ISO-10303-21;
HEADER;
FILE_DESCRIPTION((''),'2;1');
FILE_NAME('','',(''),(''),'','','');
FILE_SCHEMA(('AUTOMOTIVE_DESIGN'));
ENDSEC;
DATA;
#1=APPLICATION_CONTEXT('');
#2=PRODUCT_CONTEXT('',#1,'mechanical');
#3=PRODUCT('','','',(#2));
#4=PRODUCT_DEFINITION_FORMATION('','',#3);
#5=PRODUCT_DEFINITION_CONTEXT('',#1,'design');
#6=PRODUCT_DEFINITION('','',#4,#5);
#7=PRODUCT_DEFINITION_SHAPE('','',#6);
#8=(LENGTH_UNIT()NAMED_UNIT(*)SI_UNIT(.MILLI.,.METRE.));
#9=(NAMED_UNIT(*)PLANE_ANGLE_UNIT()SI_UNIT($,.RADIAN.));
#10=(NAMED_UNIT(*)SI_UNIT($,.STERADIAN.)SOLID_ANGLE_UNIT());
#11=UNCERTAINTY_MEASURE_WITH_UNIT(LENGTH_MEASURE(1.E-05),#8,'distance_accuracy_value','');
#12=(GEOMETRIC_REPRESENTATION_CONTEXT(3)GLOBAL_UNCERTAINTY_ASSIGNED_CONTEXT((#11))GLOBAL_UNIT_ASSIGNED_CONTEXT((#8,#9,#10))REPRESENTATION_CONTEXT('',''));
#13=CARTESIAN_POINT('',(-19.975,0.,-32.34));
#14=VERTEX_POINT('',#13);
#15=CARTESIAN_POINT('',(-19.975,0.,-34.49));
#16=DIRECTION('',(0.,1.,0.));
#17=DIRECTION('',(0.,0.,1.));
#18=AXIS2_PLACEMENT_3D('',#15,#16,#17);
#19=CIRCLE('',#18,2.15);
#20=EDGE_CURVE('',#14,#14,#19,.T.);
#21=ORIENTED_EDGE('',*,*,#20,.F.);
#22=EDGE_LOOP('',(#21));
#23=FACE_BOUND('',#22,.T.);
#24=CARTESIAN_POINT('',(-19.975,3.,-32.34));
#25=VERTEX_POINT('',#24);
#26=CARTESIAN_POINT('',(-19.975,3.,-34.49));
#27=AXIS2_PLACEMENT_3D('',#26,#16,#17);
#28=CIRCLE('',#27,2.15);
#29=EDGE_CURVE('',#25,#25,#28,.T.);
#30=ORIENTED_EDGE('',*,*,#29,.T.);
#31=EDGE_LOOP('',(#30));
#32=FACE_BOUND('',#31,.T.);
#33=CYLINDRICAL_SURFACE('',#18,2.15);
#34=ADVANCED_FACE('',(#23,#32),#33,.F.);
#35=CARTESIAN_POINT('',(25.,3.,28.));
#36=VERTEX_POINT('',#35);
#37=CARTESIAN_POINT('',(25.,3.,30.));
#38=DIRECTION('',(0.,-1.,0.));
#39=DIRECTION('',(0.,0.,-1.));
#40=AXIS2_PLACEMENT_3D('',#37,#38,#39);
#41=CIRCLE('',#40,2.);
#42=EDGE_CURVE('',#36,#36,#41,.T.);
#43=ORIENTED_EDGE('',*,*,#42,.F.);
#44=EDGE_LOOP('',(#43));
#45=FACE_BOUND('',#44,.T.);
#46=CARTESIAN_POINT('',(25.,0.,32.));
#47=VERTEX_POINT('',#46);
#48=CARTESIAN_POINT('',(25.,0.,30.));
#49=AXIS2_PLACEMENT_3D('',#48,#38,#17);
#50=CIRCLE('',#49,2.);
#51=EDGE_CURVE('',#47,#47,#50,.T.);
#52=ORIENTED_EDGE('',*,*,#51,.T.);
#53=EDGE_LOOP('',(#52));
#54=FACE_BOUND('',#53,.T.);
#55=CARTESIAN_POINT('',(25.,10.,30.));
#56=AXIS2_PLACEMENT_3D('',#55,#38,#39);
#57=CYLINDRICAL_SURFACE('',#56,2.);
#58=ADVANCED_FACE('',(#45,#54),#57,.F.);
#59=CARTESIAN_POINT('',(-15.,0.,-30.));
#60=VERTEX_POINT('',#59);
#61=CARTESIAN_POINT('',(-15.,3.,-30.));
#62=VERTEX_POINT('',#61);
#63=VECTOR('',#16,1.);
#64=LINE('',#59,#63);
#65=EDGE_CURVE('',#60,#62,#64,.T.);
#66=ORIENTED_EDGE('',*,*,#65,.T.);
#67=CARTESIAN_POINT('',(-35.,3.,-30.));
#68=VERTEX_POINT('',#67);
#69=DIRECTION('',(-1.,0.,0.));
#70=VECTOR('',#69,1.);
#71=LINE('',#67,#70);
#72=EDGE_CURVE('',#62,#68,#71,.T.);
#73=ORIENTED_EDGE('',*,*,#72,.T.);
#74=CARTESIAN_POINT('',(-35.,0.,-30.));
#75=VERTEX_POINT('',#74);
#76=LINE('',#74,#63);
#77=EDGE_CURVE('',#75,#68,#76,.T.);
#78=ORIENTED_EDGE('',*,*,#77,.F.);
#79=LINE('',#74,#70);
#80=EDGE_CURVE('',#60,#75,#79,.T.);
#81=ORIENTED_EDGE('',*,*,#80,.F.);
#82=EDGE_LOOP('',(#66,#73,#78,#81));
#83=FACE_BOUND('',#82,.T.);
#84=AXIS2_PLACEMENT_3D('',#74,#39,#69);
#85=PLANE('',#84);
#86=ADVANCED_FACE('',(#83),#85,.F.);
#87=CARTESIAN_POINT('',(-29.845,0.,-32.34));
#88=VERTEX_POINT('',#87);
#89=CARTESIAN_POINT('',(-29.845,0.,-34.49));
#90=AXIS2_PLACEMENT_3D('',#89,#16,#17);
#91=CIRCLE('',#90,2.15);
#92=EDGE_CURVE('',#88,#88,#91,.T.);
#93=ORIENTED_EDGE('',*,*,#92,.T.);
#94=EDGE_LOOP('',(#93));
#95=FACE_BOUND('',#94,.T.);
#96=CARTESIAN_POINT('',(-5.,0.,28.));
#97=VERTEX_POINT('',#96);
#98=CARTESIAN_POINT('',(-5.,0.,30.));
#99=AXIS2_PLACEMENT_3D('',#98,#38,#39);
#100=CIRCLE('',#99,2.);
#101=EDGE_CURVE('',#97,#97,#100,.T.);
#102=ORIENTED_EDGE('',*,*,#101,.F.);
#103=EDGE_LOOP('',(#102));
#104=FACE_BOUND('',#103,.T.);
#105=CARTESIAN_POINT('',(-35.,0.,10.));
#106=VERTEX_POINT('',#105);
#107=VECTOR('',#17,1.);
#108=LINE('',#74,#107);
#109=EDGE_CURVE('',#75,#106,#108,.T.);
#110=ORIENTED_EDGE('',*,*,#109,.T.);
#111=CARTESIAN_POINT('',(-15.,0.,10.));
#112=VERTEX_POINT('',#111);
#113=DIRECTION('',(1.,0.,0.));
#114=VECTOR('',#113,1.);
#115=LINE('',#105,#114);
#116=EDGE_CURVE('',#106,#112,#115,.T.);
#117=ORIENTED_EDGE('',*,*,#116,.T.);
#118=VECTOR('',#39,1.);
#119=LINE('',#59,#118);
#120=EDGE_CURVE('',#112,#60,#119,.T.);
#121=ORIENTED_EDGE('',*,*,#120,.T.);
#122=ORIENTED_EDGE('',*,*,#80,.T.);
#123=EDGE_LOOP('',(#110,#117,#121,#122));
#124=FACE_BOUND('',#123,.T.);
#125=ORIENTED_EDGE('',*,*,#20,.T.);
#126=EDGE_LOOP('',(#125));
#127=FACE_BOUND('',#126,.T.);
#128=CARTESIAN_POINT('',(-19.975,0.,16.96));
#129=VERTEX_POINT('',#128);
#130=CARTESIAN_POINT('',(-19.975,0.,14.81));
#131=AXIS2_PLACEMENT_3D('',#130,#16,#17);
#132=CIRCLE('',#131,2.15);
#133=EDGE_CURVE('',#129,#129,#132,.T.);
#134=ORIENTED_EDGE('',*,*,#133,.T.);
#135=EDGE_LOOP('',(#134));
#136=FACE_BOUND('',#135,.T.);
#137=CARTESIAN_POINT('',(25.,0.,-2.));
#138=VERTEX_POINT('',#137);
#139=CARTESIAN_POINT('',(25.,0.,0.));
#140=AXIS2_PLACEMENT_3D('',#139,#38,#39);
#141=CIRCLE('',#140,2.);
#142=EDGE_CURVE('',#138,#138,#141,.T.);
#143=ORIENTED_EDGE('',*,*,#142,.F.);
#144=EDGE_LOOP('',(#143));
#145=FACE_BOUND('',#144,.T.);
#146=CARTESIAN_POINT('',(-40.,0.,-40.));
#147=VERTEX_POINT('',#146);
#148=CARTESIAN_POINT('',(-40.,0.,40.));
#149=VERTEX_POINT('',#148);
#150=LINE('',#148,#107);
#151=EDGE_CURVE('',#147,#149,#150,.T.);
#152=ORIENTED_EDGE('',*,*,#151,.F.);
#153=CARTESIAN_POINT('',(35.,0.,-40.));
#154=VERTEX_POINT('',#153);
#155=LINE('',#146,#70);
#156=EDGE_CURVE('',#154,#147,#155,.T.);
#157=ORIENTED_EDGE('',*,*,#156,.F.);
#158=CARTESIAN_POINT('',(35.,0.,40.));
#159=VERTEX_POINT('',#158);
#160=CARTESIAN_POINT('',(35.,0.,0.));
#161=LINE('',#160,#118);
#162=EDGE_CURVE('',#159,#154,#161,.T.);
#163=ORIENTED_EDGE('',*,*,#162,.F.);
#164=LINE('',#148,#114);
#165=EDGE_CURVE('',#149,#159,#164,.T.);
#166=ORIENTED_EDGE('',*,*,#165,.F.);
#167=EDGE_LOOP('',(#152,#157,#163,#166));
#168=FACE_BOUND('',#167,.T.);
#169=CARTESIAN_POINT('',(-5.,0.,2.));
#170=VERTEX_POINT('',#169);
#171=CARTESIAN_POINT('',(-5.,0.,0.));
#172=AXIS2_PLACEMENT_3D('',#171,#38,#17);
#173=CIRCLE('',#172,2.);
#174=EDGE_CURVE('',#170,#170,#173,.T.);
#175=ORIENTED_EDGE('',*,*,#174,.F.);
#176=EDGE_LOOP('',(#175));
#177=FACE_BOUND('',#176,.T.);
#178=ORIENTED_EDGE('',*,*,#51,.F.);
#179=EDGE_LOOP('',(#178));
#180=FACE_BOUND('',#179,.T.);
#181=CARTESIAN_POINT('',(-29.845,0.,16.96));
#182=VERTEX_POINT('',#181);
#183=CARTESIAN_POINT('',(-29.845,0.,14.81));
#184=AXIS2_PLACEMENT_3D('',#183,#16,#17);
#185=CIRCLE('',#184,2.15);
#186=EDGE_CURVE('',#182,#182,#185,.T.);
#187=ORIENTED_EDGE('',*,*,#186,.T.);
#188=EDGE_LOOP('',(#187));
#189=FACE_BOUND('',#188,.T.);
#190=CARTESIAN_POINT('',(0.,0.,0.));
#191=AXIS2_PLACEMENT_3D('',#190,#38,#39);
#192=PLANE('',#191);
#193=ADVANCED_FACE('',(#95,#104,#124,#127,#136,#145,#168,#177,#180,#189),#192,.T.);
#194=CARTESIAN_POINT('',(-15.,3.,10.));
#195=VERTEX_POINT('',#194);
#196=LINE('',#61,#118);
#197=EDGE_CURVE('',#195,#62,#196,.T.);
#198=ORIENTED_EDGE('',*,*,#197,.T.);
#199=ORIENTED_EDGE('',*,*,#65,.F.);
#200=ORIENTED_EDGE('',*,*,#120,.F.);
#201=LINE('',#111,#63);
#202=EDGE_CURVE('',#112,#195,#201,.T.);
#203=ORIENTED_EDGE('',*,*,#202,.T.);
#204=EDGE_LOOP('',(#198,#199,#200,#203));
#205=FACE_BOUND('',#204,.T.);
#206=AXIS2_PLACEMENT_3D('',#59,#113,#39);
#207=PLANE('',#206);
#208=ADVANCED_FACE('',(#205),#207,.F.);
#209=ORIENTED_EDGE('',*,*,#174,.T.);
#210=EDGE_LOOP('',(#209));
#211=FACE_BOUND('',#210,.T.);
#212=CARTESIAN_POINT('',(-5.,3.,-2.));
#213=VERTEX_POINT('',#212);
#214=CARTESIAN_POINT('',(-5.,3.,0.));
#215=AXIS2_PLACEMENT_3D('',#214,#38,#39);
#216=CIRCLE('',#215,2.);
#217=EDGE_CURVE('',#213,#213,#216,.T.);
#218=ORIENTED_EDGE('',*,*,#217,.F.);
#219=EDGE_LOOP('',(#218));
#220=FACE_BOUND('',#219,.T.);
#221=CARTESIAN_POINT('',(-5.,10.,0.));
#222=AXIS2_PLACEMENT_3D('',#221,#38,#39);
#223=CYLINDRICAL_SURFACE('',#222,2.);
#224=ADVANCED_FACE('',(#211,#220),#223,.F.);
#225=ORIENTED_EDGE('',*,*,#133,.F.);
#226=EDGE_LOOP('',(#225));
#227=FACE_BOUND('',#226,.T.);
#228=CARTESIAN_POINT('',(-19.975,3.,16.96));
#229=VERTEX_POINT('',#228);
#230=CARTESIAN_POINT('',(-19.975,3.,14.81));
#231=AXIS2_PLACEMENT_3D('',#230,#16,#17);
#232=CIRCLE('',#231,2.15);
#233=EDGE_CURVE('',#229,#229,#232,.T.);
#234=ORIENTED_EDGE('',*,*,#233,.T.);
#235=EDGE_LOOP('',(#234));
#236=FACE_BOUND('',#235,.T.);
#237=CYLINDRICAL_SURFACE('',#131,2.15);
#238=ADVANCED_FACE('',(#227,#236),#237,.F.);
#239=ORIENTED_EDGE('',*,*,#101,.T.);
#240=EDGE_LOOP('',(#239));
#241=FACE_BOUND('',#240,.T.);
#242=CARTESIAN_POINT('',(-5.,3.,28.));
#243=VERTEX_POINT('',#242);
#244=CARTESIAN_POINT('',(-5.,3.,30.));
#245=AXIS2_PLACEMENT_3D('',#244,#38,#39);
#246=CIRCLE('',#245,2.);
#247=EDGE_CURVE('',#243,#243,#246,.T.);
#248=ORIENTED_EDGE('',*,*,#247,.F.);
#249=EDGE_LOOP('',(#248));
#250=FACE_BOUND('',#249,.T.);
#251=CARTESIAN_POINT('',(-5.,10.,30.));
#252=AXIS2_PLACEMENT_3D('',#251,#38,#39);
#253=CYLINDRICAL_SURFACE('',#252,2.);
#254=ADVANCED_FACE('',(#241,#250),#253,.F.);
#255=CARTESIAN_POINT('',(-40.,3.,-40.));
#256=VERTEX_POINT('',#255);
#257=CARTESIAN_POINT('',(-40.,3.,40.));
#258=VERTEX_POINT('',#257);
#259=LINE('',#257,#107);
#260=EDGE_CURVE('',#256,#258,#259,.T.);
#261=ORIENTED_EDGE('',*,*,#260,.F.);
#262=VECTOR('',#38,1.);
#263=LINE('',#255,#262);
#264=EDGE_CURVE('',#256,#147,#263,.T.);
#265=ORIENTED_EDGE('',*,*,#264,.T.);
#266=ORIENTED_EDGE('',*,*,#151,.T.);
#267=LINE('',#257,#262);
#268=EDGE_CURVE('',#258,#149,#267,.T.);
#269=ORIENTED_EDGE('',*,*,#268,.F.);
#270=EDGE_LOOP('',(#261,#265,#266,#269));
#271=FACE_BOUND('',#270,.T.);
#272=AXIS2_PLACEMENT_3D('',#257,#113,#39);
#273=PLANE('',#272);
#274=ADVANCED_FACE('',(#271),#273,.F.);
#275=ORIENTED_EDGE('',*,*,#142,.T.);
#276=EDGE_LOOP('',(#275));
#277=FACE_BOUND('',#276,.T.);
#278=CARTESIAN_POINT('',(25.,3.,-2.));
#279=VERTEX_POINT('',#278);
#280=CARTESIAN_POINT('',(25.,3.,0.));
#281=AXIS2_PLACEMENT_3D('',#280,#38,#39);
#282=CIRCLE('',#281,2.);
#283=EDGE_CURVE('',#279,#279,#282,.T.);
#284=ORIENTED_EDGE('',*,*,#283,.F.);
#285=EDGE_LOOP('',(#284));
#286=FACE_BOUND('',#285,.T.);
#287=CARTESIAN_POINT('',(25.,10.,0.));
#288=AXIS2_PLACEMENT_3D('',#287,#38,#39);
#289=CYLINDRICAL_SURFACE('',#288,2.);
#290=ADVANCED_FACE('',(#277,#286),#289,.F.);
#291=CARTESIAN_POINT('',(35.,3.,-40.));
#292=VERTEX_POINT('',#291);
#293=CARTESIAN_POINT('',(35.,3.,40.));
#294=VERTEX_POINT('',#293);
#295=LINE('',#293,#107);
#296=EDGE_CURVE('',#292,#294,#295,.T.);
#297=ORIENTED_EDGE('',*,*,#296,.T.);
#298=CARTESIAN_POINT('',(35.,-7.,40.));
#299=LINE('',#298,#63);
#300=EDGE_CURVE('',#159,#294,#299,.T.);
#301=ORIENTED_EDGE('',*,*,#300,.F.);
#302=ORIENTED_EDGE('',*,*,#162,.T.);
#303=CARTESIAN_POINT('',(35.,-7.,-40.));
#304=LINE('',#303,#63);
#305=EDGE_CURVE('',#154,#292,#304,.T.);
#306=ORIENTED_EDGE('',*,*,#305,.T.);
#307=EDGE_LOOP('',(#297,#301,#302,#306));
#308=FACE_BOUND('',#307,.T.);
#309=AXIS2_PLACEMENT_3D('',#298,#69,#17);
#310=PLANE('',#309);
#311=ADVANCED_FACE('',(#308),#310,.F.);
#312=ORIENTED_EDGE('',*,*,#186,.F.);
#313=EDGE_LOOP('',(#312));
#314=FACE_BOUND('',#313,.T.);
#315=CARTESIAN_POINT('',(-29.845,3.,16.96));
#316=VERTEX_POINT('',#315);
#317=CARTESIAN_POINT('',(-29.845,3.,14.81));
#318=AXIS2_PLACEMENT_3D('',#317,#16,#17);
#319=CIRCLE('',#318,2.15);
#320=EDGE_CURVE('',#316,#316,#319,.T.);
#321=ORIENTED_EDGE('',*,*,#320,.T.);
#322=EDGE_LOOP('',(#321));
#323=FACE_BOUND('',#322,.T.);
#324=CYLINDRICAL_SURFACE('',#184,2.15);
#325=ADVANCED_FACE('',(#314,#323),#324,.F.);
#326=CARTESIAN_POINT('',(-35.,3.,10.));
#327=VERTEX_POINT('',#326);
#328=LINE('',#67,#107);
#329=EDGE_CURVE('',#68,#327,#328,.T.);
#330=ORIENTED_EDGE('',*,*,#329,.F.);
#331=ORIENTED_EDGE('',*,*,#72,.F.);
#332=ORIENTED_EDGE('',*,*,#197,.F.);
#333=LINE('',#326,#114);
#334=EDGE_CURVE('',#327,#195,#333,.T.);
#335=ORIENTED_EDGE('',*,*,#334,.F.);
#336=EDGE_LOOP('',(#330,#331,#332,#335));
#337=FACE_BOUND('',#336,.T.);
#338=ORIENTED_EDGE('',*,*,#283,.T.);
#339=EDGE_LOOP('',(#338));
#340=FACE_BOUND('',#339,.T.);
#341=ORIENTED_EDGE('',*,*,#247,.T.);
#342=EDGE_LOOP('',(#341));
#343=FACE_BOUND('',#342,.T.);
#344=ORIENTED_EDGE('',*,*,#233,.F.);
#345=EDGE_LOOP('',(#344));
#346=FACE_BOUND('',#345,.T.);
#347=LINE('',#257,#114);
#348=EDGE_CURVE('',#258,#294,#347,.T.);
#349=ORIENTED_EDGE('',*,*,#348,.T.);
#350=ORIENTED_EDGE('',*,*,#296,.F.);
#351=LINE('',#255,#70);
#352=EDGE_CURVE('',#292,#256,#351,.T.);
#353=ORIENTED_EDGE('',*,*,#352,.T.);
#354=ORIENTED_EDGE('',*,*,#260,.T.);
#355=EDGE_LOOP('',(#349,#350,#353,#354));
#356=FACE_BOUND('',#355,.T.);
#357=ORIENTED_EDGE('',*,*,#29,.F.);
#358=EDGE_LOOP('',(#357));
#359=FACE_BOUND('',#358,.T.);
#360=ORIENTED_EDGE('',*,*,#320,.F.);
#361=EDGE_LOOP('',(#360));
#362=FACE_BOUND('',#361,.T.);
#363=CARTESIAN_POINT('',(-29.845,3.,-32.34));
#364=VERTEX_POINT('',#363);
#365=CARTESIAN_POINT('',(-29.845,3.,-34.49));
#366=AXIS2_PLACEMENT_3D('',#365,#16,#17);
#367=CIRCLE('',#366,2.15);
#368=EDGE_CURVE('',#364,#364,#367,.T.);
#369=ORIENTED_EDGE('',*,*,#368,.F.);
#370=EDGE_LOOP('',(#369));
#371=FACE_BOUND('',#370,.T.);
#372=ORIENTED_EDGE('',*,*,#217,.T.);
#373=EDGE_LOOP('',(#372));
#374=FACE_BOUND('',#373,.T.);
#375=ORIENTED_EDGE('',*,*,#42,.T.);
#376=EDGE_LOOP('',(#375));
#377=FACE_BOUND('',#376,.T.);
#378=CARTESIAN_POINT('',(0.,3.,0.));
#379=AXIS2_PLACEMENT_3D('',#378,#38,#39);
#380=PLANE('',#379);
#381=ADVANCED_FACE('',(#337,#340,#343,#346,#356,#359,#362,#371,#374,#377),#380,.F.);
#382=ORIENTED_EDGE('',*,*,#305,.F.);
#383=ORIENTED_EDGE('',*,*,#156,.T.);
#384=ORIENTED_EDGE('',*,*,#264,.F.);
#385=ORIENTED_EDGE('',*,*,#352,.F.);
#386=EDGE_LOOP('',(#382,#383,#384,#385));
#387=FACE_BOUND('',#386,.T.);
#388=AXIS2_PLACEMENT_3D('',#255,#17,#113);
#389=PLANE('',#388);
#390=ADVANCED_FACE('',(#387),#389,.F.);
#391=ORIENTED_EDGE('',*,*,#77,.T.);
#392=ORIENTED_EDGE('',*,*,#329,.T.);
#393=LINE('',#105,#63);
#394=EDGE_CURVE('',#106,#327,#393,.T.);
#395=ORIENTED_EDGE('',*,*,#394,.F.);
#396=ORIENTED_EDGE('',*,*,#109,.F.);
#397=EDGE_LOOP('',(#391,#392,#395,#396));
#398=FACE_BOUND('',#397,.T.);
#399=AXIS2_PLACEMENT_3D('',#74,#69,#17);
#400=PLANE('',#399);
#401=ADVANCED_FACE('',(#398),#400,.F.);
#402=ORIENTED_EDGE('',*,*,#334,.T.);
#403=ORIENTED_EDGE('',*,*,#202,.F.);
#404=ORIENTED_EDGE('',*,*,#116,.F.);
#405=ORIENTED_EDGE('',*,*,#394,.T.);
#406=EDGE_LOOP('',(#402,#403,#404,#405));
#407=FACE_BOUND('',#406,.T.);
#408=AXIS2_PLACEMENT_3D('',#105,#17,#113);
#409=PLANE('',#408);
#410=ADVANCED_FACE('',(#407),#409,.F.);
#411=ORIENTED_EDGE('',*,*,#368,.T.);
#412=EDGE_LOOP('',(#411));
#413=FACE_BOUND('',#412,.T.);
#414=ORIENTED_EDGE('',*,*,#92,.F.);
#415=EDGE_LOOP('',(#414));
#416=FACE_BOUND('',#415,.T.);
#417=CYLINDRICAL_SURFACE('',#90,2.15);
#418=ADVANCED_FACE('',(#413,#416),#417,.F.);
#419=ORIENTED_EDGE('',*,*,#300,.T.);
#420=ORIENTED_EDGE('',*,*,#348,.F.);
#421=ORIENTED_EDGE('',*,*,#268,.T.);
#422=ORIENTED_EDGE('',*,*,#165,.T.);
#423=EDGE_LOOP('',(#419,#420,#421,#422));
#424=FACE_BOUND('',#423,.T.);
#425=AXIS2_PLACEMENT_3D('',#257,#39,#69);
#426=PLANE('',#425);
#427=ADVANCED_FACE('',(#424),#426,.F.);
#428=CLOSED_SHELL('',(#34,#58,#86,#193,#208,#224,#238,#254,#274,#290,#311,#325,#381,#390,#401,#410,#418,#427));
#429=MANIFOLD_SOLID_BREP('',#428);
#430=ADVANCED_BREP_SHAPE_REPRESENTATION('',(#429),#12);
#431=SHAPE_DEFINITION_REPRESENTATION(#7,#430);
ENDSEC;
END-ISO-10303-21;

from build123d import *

# Parameters (mm, degrees)
SKETCH2_W           = 80
SKETCH2_H           = 80
BOSS_EXTRUDE1_DEPTH = 3
SKETCH3_R           = 2.15
SKETCH3_W           = 20
SKETCH3_H           = 40
CUT_EXTRUDE1_DEPTH  = 3
SKETCH4_W           = 5
SKETCH4_H           = 80
CUT_EXTRUDE2_DEPTH  = 10
SKETCH5_R           = 2
CUT_EXTRUDE3_DEPTH  = 10


with BuildPart() as part:
    # Sketch2 → Boss-Extrude1 (new body)
    with BuildSketch(Plane(origin=(0, 0, 0), x_dir=(1, 0, 0), z_dir=(0, 1, 0))):
        Rectangle(SKETCH2_W, SKETCH2_H)
    extrude(amount=BOSS_EXTRUDE1_DEPTH)

    # Sketch3 → Cut-Extrude1 (cut)
    with BuildSketch(Plane(origin=(0, 3, 0), x_dir=(1, 0, 0), z_dir=(0, 1, 0))):
        with Locations(Location((-29.845, 34.49, 0), (0, 0, 270))):
            Circle(SKETCH3_R)
        with Locations(Location((-19.975, 34.49, 0), (0, 0, 270))):
            Circle(SKETCH3_R)
        with Locations(Location((-19.975, -14.81, 0), (0, 0, 270))):
            Circle(SKETCH3_R)
        with Locations(Location((-29.845, -14.81, 0), (0, 0, 270))):
            Circle(SKETCH3_R)
        with Locations((-25, 10)):
            Rectangle(SKETCH3_W, SKETCH3_H)
    extrude(amount=-CUT_EXTRUDE1_DEPTH, mode=Mode.SUBTRACT)

    # Sketch4 → Cut-Extrude2 (cut)
    with BuildSketch(Plane(origin=(0, 3, 0), x_dir=(1, 0, 0), z_dir=(0, 1, 0))):
        with Locations((37.5, 0)):
            Rectangle(SKETCH4_W, SKETCH4_H)
    extrude(amount=-CUT_EXTRUDE2_DEPTH, mode=Mode.SUBTRACT)

    # Sketch5 → Cut-Extrude3 (cut)
    with BuildSketch(Plane.XZ):
        with Locations(Location((25, 0, 0), (0, 0, 270))):
            Circle(SKETCH5_R)
        with Locations(Location((-5, 0, 0), (0, 0, 270))):
            Circle(SKETCH5_R)
        with Locations(Location((-5, 30, 0), (0, 0, 270))):
            Circle(SKETCH5_R)
        with Locations(Location((25, 30, 0), (0, 0, 270))):
            Circle(SKETCH5_R)
    extrude(amount=-CUT_EXTRUDE3_DEPTH, mode=Mode.SUBTRACT)


solid = part.part
